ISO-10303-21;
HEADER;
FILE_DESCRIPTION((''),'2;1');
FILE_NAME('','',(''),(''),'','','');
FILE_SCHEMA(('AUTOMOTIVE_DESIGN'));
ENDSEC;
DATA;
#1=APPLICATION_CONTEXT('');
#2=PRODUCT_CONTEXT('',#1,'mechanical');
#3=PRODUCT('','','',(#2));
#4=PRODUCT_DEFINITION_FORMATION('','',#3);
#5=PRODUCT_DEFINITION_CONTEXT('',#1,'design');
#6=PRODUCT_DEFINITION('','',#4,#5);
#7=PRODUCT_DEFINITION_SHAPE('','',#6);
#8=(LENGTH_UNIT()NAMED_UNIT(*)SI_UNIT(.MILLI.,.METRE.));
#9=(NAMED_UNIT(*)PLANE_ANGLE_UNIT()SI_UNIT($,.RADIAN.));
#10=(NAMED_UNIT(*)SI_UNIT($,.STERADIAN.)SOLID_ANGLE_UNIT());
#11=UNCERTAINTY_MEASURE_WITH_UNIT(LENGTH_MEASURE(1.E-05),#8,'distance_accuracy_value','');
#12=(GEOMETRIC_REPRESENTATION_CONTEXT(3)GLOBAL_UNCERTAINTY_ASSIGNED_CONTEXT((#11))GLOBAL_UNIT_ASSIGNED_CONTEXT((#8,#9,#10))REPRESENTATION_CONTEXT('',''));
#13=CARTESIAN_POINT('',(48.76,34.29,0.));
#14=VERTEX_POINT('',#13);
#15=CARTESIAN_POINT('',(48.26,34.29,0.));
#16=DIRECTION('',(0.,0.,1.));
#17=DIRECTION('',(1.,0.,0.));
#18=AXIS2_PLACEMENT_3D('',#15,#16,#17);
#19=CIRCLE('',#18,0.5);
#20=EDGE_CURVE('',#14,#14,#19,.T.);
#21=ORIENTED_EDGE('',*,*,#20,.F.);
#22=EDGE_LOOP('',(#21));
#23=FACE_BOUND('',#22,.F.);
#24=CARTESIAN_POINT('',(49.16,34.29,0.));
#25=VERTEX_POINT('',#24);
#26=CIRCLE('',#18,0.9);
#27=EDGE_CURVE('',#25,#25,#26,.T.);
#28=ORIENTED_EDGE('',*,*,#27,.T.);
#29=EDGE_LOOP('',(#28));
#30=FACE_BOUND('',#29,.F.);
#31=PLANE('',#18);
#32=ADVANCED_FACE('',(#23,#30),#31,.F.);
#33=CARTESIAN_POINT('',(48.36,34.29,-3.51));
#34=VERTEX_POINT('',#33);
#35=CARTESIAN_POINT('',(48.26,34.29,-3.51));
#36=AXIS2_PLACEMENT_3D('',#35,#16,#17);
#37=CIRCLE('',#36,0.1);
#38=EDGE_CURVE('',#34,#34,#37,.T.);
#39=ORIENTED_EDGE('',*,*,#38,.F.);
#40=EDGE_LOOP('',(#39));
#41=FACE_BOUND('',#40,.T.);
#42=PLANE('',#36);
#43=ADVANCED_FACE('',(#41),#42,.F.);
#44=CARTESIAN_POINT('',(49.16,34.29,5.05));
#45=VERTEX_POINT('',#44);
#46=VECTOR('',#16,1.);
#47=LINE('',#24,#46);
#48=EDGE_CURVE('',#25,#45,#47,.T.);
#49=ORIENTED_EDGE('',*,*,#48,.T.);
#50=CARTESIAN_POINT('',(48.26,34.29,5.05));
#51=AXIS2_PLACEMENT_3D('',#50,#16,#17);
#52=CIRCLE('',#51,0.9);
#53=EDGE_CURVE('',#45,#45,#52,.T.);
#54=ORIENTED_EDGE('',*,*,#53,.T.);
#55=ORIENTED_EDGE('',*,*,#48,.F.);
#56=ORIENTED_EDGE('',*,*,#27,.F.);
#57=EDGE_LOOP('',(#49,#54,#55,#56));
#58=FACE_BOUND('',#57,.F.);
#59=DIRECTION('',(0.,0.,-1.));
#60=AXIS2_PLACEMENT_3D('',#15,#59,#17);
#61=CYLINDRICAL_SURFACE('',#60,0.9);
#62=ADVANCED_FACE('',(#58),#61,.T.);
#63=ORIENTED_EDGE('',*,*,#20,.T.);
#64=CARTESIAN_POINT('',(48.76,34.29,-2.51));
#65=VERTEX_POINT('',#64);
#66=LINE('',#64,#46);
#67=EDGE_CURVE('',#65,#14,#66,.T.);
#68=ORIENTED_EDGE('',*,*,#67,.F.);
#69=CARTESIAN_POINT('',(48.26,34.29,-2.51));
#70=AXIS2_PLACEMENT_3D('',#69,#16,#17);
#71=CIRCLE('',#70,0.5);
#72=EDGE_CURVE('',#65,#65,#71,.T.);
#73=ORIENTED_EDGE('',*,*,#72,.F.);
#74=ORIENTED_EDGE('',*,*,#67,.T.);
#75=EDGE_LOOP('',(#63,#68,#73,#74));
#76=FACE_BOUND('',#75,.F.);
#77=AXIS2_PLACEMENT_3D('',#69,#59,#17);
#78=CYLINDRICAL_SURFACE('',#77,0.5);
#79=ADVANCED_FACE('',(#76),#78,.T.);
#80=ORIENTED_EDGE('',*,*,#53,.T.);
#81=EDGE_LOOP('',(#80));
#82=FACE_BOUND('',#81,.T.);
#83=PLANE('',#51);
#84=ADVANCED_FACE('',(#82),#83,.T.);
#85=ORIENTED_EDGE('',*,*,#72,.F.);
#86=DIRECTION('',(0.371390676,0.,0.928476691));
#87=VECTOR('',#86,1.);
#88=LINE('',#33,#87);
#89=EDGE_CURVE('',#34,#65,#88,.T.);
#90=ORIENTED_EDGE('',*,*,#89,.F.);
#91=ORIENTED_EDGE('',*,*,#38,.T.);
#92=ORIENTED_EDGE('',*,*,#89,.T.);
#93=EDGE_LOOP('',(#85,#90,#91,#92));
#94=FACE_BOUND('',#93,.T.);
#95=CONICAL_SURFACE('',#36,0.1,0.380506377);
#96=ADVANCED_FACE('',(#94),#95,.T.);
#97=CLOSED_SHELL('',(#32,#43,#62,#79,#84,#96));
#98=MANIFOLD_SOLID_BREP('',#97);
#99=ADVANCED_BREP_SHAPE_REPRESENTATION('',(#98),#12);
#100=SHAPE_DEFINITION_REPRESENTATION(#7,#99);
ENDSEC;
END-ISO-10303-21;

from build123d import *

# Parameters (mm, degrees)
CYLINDER012_R     = 0.5
CYLINDER012_DEPTH = 2.51
CYLINDER011_R     = 0.9
CYLINDER011_DEPTH = 5.05


with BuildPart() as cylinder012:
    # Cylinder012 → Cylinder012 (new body)
    with BuildSketch(Plane(origin=(2.54, 0, -2.51), x_dir=(1, 0, 0), z_dir=(0, 0, 1))):
        Circle(CYLINDER012_R)
    extrude(amount=CYLINDER012_DEPTH)


with BuildPart() as cone005:
    # Cone005 → Cone005 (revolve)
    with BuildSketch(Plane(origin=(2.54, 0, -3.51), x_dir=(1, 0, 0), z_dir=(0, -1, 0))):
        Polygon((0, 0), (0.1, 0), (0.5, 1), (0, 1), align=None)
    revolve(axis=Axis((2.54, 0, -3.51), (0, 0, 1)))


with BuildPart() as fusion005:
    # Cylinder011 → Cylinder011 (new body)
    with BuildSketch(Plane(origin=(2.54, 0, 0), x_dir=(1, 0, 0), z_dir=(0, 0, 1))):
        Circle(CYLINDER011_R)
    extrude(amount=CYLINDER011_DEPTH)

    # Fusion005: union Cylinder012, Cone005
    add(cylinder012.part)
    add(cone005.part)


with BuildPart() as fusion005_1:
    # Fusion005 placement: moved
    add(fusion005.part.moved(Location((45.72, 34.29, 0))))


solid = fusion005_1.part
